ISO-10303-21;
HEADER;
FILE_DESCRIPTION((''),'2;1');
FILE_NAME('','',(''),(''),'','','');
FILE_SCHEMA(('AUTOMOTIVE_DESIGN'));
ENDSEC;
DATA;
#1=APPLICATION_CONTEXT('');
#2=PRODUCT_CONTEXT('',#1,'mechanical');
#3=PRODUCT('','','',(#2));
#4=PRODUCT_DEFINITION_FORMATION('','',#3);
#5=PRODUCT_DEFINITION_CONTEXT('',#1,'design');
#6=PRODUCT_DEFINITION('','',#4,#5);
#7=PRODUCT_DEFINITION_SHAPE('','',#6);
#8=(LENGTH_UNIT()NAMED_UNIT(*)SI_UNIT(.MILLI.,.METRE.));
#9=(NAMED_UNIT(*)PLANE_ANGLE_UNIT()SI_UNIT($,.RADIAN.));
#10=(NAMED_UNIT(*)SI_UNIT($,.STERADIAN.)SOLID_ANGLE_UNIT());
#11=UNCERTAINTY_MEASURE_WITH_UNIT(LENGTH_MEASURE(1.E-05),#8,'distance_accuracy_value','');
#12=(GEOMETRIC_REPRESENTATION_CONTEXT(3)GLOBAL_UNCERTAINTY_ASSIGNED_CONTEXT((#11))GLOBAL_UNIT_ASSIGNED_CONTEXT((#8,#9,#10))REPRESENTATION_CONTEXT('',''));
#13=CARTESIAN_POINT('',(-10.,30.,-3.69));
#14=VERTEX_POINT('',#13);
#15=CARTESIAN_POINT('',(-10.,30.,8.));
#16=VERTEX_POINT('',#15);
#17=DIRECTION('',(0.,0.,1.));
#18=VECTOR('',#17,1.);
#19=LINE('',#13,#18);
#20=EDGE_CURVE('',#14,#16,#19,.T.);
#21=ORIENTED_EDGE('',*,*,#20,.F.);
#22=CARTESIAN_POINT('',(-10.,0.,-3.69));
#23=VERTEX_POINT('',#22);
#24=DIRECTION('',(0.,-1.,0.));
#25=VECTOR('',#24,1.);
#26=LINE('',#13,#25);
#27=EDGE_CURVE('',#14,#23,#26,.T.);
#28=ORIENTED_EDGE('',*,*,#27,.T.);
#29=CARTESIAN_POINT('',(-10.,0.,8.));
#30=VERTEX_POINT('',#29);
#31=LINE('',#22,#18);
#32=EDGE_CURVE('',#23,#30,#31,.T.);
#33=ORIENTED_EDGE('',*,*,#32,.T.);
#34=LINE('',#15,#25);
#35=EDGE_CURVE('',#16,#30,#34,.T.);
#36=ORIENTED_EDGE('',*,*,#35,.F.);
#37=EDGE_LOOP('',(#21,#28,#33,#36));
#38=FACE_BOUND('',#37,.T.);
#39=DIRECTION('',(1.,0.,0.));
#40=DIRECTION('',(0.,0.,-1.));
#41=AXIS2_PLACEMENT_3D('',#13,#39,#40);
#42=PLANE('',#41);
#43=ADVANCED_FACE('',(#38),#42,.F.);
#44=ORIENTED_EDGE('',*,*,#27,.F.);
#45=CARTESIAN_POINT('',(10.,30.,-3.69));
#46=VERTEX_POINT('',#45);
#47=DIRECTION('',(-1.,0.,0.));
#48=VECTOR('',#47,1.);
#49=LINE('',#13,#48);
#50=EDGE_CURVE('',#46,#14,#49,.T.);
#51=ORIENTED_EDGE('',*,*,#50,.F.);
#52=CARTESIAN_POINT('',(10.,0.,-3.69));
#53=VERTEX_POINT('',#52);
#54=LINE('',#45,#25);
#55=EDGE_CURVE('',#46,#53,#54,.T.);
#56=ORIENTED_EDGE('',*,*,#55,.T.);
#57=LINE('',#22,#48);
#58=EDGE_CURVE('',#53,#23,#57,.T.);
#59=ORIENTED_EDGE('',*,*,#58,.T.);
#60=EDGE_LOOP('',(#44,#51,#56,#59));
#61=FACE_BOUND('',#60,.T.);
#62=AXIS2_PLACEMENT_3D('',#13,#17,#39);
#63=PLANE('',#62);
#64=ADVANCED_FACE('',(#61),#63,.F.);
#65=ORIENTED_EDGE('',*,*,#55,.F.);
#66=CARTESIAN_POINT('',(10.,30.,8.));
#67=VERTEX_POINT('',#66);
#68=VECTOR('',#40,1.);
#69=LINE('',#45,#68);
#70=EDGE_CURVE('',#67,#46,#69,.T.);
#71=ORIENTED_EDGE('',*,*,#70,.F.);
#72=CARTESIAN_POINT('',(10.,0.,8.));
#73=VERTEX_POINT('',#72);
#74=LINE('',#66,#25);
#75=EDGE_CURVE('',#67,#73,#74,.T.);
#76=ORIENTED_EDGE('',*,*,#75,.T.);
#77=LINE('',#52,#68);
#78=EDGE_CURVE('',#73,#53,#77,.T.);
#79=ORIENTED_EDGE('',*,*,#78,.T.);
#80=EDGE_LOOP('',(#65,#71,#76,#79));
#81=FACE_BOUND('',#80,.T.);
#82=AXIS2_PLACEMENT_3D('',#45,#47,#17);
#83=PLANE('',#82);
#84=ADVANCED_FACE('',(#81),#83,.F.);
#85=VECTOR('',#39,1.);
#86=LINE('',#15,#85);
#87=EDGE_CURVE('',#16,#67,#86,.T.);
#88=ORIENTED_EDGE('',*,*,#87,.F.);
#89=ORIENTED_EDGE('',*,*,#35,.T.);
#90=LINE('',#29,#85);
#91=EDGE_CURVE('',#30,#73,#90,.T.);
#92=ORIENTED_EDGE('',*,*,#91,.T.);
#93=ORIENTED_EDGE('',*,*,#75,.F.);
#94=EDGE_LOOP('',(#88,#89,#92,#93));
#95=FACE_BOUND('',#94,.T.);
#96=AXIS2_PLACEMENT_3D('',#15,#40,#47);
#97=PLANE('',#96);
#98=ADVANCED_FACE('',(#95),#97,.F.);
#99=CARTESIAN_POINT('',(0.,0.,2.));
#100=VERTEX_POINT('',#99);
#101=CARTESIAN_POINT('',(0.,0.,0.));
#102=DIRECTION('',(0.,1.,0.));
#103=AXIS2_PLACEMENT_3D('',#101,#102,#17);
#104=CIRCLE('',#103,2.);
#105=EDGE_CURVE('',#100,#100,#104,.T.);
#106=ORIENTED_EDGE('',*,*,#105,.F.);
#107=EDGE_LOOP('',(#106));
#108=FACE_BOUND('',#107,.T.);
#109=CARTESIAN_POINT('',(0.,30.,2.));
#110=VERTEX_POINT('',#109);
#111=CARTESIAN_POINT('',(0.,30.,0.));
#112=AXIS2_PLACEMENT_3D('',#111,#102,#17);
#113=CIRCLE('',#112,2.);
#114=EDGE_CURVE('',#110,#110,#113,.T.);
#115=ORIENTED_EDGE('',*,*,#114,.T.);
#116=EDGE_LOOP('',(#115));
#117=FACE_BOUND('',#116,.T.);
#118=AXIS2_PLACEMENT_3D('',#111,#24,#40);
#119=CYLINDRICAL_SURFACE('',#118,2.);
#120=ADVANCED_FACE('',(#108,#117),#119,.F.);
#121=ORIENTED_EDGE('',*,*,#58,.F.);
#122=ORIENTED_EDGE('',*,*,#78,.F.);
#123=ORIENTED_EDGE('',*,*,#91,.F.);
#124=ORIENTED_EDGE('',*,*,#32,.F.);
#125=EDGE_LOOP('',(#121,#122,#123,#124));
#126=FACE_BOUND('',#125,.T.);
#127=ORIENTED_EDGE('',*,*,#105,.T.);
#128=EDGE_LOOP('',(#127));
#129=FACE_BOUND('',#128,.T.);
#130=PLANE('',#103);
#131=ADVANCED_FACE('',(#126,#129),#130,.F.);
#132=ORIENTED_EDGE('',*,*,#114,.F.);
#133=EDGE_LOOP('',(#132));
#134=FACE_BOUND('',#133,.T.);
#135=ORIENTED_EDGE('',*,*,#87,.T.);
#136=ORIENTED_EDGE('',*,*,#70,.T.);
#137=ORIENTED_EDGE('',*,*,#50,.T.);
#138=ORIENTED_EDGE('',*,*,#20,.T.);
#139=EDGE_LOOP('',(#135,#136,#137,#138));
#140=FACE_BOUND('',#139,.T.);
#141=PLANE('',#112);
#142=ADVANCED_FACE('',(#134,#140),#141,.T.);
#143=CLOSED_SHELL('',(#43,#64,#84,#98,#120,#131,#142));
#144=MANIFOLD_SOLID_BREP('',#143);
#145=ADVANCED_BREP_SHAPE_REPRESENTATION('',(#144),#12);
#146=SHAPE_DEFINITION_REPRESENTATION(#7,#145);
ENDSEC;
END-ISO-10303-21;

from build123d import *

# Parameters (mm, degrees)
SKETCH_1_W      = 20
SKETCH_1_H      = 11.69
SKETCH_1_R      = 2
EXTRUDE_1_DEPTH = 30


with BuildPart() as part:
    # Эскиз1 → Бобышка-Вытянуть1 (new body)
    with BuildSketch(Plane(origin=(0, 0, 0), x_dir=(1, 0, 0), z_dir=(0, 1, 0))):
        with Locations((0, -2.155)):
            Rectangle(SKETCH_1_W, SKETCH_1_H)
        with Locations(Location((0, 0, 0), (0, 0, 270))):
            Circle(SKETCH_1_R, mode=Mode.SUBTRACT)
    extrude(amount=EXTRUDE_1_DEPTH)


solid = part.part
